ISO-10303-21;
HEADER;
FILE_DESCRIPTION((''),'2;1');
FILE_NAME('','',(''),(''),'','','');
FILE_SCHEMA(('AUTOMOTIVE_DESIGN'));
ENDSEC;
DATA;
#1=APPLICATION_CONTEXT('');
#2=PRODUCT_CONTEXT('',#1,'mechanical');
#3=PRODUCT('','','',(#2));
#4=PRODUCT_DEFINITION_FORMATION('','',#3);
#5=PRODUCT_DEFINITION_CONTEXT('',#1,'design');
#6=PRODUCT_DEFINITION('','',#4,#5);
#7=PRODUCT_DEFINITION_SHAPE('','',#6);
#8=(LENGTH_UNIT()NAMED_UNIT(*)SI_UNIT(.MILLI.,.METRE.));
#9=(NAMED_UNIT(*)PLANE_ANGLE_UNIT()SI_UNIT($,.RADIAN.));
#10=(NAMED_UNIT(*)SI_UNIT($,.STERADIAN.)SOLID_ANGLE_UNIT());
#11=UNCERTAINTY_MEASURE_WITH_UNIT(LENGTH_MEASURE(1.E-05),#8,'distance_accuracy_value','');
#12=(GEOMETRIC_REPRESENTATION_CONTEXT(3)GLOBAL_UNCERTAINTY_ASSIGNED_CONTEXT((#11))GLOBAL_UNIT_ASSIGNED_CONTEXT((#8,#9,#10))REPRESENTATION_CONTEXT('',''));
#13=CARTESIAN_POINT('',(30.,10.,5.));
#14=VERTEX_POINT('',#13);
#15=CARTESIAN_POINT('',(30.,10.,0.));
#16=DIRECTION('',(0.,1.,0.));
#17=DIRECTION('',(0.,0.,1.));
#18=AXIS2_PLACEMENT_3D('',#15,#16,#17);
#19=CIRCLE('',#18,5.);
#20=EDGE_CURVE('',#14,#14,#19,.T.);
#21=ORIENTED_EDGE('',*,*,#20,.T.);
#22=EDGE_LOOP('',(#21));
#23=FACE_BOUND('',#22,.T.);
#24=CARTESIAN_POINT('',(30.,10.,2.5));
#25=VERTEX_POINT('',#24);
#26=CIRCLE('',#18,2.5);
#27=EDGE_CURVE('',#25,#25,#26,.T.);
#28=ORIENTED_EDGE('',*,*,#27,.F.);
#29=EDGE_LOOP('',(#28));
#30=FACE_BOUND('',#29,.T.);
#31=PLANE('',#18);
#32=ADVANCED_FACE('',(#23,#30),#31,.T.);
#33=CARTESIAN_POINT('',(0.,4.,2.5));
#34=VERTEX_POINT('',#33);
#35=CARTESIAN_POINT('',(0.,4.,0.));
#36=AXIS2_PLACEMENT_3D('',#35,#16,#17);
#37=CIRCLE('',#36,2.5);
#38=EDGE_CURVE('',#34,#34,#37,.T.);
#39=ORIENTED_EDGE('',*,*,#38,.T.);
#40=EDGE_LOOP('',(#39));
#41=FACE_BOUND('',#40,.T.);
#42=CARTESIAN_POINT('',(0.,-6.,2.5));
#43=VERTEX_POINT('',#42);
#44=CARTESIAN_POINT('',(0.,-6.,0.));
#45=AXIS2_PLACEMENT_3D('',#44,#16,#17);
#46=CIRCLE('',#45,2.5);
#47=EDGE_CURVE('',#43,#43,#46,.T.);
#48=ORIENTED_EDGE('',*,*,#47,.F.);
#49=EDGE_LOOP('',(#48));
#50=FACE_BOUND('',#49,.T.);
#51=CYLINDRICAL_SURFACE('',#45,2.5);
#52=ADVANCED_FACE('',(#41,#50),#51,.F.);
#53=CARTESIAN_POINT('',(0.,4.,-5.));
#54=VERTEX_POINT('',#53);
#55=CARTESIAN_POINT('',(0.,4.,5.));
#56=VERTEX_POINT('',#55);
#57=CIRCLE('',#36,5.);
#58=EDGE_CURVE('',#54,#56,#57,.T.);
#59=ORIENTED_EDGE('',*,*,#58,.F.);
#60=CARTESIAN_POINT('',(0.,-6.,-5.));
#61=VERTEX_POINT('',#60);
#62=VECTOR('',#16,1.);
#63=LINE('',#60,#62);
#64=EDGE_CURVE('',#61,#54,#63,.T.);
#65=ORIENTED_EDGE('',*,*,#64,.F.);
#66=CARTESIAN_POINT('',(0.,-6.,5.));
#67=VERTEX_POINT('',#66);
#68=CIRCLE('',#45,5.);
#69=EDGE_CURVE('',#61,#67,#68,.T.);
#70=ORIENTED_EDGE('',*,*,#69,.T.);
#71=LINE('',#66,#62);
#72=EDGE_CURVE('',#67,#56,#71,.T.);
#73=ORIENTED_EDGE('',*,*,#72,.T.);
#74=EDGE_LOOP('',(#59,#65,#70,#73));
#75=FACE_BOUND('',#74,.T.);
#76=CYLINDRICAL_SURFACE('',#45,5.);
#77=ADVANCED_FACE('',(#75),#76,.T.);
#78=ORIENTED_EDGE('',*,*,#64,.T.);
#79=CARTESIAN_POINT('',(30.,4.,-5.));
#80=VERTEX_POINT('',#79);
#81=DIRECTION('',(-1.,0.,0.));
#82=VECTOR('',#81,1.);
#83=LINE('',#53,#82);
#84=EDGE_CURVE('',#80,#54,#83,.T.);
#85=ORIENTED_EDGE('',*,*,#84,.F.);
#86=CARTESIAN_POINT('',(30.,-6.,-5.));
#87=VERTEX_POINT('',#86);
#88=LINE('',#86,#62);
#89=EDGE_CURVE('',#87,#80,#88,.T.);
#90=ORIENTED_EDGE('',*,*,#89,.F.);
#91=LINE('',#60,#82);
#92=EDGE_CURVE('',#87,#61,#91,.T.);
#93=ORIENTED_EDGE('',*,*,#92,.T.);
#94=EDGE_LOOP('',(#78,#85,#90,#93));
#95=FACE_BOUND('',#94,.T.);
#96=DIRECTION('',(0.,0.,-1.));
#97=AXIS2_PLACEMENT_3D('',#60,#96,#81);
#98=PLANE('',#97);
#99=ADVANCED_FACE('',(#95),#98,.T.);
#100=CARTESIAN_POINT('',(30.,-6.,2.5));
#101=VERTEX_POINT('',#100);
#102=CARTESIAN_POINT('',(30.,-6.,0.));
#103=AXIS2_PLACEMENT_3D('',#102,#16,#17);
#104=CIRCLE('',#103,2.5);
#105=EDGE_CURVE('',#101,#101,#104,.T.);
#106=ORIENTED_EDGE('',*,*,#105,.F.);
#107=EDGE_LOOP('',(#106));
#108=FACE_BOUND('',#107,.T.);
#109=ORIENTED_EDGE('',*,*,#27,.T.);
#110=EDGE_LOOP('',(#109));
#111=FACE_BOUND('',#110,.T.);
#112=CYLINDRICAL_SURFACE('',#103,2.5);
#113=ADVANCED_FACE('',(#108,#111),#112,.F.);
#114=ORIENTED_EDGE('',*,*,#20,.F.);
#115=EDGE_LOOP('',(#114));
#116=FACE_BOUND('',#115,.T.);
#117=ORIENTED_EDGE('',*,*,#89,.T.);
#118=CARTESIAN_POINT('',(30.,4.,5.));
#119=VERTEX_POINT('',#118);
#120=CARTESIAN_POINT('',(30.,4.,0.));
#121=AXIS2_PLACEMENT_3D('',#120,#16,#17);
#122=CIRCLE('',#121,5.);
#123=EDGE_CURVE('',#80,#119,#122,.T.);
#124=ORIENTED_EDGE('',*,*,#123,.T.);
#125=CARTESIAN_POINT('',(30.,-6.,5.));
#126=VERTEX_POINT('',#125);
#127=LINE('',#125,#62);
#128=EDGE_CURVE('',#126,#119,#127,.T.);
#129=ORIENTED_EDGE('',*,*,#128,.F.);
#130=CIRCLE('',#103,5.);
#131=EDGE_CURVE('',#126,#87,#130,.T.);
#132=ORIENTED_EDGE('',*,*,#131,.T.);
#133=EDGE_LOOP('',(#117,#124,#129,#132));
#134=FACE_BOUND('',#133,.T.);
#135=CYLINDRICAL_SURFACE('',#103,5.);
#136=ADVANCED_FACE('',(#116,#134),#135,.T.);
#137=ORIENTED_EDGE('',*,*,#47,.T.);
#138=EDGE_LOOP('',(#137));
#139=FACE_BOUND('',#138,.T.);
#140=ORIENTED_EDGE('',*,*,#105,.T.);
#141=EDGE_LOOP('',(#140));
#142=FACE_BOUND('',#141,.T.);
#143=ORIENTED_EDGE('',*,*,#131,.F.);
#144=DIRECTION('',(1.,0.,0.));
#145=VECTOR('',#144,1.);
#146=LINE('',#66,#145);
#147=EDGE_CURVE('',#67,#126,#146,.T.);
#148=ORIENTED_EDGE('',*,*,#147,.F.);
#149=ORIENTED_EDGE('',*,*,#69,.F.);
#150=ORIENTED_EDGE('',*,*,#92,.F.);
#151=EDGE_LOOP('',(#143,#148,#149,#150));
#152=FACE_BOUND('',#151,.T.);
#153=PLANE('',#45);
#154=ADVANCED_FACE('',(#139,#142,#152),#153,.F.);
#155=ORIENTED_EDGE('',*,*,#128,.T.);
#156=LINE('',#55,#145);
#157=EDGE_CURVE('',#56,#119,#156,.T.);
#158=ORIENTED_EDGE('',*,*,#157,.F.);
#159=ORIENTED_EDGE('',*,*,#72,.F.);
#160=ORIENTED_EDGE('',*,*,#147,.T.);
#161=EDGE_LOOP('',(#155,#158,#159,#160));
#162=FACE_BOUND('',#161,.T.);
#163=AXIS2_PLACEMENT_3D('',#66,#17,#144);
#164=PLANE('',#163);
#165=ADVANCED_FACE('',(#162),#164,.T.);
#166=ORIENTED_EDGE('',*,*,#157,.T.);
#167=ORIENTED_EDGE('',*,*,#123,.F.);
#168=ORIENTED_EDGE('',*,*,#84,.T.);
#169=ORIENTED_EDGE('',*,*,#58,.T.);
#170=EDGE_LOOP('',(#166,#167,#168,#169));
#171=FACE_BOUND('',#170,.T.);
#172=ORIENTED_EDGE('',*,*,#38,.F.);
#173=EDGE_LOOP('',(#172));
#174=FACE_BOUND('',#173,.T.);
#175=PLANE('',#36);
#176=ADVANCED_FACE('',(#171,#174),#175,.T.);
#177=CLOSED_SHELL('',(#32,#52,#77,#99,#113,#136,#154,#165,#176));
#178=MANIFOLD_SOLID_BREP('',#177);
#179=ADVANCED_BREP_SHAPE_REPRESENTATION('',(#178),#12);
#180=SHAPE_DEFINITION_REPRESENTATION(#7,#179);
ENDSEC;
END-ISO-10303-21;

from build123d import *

# Parameters (mm, degrees)
BOSS_EXTRUDE1_DEPTH      = 4
BOSS_EXTRUDE1_DEPTH_BACK = 6
SKETCH1_R                = 2.5
BOSS_EXTRUDE3_DEPTH      = 11
BOSS_EXTRUDE3_DEPTH_BACK = 5
SKETCH3_R                = 5
SKETCH3_R_2              = 2.5


with BuildPart() as part:
    # Sketch1 → Boss-Extrude1 (new, two sides: drawn at the far end of the back side and taken through both)
    with BuildSketch(Plane(origin=(0, 0, 0), x_dir=(1, 0, 0), z_dir=(0, 1, 0)).offset(-BOSS_EXTRUDE1_DEPTH_BACK)):
        with BuildLine():
            Line((0, 5), (30, 5))
            ThreePointArc((30, 5), (35, 0), (30, -5))
            Line((30, -5), (0, -5))
            ThreePointArc((0, -5), (-5, 0), (0, 5))
        make_face()
        with Locations(Location((0, 0, 0), (0, 0, 270))):
            Circle(SKETCH1_R, mode=Mode.SUBTRACT)
        with Locations(Location((30, 0, 0), (0, 0, 270))):
            Circle(SKETCH1_R, mode=Mode.SUBTRACT)
    extrude(amount=BOSS_EXTRUDE1_DEPTH + BOSS_EXTRUDE1_DEPTH_BACK)

    # Sketch3 → Boss-Extrude3 (add, two sides: drawn at the far end of the back side and taken through both)
    with BuildSketch(Plane(origin=(0, -1, 0), x_dir=(1, 0, 0), z_dir=(0, 1, 0)).offset(-BOSS_EXTRUDE3_DEPTH_BACK)):
        with Locations(Location((30, 0, 0), (0, 0, 270))):
            Circle(SKETCH3_R)
        with Locations(Location((30, 0, 0), (0, 0, 270))):
            Circle(SKETCH3_R_2, mode=Mode.SUBTRACT)
    extrude(amount=BOSS_EXTRUDE3_DEPTH + BOSS_EXTRUDE3_DEPTH_BACK)


solid = part.part
